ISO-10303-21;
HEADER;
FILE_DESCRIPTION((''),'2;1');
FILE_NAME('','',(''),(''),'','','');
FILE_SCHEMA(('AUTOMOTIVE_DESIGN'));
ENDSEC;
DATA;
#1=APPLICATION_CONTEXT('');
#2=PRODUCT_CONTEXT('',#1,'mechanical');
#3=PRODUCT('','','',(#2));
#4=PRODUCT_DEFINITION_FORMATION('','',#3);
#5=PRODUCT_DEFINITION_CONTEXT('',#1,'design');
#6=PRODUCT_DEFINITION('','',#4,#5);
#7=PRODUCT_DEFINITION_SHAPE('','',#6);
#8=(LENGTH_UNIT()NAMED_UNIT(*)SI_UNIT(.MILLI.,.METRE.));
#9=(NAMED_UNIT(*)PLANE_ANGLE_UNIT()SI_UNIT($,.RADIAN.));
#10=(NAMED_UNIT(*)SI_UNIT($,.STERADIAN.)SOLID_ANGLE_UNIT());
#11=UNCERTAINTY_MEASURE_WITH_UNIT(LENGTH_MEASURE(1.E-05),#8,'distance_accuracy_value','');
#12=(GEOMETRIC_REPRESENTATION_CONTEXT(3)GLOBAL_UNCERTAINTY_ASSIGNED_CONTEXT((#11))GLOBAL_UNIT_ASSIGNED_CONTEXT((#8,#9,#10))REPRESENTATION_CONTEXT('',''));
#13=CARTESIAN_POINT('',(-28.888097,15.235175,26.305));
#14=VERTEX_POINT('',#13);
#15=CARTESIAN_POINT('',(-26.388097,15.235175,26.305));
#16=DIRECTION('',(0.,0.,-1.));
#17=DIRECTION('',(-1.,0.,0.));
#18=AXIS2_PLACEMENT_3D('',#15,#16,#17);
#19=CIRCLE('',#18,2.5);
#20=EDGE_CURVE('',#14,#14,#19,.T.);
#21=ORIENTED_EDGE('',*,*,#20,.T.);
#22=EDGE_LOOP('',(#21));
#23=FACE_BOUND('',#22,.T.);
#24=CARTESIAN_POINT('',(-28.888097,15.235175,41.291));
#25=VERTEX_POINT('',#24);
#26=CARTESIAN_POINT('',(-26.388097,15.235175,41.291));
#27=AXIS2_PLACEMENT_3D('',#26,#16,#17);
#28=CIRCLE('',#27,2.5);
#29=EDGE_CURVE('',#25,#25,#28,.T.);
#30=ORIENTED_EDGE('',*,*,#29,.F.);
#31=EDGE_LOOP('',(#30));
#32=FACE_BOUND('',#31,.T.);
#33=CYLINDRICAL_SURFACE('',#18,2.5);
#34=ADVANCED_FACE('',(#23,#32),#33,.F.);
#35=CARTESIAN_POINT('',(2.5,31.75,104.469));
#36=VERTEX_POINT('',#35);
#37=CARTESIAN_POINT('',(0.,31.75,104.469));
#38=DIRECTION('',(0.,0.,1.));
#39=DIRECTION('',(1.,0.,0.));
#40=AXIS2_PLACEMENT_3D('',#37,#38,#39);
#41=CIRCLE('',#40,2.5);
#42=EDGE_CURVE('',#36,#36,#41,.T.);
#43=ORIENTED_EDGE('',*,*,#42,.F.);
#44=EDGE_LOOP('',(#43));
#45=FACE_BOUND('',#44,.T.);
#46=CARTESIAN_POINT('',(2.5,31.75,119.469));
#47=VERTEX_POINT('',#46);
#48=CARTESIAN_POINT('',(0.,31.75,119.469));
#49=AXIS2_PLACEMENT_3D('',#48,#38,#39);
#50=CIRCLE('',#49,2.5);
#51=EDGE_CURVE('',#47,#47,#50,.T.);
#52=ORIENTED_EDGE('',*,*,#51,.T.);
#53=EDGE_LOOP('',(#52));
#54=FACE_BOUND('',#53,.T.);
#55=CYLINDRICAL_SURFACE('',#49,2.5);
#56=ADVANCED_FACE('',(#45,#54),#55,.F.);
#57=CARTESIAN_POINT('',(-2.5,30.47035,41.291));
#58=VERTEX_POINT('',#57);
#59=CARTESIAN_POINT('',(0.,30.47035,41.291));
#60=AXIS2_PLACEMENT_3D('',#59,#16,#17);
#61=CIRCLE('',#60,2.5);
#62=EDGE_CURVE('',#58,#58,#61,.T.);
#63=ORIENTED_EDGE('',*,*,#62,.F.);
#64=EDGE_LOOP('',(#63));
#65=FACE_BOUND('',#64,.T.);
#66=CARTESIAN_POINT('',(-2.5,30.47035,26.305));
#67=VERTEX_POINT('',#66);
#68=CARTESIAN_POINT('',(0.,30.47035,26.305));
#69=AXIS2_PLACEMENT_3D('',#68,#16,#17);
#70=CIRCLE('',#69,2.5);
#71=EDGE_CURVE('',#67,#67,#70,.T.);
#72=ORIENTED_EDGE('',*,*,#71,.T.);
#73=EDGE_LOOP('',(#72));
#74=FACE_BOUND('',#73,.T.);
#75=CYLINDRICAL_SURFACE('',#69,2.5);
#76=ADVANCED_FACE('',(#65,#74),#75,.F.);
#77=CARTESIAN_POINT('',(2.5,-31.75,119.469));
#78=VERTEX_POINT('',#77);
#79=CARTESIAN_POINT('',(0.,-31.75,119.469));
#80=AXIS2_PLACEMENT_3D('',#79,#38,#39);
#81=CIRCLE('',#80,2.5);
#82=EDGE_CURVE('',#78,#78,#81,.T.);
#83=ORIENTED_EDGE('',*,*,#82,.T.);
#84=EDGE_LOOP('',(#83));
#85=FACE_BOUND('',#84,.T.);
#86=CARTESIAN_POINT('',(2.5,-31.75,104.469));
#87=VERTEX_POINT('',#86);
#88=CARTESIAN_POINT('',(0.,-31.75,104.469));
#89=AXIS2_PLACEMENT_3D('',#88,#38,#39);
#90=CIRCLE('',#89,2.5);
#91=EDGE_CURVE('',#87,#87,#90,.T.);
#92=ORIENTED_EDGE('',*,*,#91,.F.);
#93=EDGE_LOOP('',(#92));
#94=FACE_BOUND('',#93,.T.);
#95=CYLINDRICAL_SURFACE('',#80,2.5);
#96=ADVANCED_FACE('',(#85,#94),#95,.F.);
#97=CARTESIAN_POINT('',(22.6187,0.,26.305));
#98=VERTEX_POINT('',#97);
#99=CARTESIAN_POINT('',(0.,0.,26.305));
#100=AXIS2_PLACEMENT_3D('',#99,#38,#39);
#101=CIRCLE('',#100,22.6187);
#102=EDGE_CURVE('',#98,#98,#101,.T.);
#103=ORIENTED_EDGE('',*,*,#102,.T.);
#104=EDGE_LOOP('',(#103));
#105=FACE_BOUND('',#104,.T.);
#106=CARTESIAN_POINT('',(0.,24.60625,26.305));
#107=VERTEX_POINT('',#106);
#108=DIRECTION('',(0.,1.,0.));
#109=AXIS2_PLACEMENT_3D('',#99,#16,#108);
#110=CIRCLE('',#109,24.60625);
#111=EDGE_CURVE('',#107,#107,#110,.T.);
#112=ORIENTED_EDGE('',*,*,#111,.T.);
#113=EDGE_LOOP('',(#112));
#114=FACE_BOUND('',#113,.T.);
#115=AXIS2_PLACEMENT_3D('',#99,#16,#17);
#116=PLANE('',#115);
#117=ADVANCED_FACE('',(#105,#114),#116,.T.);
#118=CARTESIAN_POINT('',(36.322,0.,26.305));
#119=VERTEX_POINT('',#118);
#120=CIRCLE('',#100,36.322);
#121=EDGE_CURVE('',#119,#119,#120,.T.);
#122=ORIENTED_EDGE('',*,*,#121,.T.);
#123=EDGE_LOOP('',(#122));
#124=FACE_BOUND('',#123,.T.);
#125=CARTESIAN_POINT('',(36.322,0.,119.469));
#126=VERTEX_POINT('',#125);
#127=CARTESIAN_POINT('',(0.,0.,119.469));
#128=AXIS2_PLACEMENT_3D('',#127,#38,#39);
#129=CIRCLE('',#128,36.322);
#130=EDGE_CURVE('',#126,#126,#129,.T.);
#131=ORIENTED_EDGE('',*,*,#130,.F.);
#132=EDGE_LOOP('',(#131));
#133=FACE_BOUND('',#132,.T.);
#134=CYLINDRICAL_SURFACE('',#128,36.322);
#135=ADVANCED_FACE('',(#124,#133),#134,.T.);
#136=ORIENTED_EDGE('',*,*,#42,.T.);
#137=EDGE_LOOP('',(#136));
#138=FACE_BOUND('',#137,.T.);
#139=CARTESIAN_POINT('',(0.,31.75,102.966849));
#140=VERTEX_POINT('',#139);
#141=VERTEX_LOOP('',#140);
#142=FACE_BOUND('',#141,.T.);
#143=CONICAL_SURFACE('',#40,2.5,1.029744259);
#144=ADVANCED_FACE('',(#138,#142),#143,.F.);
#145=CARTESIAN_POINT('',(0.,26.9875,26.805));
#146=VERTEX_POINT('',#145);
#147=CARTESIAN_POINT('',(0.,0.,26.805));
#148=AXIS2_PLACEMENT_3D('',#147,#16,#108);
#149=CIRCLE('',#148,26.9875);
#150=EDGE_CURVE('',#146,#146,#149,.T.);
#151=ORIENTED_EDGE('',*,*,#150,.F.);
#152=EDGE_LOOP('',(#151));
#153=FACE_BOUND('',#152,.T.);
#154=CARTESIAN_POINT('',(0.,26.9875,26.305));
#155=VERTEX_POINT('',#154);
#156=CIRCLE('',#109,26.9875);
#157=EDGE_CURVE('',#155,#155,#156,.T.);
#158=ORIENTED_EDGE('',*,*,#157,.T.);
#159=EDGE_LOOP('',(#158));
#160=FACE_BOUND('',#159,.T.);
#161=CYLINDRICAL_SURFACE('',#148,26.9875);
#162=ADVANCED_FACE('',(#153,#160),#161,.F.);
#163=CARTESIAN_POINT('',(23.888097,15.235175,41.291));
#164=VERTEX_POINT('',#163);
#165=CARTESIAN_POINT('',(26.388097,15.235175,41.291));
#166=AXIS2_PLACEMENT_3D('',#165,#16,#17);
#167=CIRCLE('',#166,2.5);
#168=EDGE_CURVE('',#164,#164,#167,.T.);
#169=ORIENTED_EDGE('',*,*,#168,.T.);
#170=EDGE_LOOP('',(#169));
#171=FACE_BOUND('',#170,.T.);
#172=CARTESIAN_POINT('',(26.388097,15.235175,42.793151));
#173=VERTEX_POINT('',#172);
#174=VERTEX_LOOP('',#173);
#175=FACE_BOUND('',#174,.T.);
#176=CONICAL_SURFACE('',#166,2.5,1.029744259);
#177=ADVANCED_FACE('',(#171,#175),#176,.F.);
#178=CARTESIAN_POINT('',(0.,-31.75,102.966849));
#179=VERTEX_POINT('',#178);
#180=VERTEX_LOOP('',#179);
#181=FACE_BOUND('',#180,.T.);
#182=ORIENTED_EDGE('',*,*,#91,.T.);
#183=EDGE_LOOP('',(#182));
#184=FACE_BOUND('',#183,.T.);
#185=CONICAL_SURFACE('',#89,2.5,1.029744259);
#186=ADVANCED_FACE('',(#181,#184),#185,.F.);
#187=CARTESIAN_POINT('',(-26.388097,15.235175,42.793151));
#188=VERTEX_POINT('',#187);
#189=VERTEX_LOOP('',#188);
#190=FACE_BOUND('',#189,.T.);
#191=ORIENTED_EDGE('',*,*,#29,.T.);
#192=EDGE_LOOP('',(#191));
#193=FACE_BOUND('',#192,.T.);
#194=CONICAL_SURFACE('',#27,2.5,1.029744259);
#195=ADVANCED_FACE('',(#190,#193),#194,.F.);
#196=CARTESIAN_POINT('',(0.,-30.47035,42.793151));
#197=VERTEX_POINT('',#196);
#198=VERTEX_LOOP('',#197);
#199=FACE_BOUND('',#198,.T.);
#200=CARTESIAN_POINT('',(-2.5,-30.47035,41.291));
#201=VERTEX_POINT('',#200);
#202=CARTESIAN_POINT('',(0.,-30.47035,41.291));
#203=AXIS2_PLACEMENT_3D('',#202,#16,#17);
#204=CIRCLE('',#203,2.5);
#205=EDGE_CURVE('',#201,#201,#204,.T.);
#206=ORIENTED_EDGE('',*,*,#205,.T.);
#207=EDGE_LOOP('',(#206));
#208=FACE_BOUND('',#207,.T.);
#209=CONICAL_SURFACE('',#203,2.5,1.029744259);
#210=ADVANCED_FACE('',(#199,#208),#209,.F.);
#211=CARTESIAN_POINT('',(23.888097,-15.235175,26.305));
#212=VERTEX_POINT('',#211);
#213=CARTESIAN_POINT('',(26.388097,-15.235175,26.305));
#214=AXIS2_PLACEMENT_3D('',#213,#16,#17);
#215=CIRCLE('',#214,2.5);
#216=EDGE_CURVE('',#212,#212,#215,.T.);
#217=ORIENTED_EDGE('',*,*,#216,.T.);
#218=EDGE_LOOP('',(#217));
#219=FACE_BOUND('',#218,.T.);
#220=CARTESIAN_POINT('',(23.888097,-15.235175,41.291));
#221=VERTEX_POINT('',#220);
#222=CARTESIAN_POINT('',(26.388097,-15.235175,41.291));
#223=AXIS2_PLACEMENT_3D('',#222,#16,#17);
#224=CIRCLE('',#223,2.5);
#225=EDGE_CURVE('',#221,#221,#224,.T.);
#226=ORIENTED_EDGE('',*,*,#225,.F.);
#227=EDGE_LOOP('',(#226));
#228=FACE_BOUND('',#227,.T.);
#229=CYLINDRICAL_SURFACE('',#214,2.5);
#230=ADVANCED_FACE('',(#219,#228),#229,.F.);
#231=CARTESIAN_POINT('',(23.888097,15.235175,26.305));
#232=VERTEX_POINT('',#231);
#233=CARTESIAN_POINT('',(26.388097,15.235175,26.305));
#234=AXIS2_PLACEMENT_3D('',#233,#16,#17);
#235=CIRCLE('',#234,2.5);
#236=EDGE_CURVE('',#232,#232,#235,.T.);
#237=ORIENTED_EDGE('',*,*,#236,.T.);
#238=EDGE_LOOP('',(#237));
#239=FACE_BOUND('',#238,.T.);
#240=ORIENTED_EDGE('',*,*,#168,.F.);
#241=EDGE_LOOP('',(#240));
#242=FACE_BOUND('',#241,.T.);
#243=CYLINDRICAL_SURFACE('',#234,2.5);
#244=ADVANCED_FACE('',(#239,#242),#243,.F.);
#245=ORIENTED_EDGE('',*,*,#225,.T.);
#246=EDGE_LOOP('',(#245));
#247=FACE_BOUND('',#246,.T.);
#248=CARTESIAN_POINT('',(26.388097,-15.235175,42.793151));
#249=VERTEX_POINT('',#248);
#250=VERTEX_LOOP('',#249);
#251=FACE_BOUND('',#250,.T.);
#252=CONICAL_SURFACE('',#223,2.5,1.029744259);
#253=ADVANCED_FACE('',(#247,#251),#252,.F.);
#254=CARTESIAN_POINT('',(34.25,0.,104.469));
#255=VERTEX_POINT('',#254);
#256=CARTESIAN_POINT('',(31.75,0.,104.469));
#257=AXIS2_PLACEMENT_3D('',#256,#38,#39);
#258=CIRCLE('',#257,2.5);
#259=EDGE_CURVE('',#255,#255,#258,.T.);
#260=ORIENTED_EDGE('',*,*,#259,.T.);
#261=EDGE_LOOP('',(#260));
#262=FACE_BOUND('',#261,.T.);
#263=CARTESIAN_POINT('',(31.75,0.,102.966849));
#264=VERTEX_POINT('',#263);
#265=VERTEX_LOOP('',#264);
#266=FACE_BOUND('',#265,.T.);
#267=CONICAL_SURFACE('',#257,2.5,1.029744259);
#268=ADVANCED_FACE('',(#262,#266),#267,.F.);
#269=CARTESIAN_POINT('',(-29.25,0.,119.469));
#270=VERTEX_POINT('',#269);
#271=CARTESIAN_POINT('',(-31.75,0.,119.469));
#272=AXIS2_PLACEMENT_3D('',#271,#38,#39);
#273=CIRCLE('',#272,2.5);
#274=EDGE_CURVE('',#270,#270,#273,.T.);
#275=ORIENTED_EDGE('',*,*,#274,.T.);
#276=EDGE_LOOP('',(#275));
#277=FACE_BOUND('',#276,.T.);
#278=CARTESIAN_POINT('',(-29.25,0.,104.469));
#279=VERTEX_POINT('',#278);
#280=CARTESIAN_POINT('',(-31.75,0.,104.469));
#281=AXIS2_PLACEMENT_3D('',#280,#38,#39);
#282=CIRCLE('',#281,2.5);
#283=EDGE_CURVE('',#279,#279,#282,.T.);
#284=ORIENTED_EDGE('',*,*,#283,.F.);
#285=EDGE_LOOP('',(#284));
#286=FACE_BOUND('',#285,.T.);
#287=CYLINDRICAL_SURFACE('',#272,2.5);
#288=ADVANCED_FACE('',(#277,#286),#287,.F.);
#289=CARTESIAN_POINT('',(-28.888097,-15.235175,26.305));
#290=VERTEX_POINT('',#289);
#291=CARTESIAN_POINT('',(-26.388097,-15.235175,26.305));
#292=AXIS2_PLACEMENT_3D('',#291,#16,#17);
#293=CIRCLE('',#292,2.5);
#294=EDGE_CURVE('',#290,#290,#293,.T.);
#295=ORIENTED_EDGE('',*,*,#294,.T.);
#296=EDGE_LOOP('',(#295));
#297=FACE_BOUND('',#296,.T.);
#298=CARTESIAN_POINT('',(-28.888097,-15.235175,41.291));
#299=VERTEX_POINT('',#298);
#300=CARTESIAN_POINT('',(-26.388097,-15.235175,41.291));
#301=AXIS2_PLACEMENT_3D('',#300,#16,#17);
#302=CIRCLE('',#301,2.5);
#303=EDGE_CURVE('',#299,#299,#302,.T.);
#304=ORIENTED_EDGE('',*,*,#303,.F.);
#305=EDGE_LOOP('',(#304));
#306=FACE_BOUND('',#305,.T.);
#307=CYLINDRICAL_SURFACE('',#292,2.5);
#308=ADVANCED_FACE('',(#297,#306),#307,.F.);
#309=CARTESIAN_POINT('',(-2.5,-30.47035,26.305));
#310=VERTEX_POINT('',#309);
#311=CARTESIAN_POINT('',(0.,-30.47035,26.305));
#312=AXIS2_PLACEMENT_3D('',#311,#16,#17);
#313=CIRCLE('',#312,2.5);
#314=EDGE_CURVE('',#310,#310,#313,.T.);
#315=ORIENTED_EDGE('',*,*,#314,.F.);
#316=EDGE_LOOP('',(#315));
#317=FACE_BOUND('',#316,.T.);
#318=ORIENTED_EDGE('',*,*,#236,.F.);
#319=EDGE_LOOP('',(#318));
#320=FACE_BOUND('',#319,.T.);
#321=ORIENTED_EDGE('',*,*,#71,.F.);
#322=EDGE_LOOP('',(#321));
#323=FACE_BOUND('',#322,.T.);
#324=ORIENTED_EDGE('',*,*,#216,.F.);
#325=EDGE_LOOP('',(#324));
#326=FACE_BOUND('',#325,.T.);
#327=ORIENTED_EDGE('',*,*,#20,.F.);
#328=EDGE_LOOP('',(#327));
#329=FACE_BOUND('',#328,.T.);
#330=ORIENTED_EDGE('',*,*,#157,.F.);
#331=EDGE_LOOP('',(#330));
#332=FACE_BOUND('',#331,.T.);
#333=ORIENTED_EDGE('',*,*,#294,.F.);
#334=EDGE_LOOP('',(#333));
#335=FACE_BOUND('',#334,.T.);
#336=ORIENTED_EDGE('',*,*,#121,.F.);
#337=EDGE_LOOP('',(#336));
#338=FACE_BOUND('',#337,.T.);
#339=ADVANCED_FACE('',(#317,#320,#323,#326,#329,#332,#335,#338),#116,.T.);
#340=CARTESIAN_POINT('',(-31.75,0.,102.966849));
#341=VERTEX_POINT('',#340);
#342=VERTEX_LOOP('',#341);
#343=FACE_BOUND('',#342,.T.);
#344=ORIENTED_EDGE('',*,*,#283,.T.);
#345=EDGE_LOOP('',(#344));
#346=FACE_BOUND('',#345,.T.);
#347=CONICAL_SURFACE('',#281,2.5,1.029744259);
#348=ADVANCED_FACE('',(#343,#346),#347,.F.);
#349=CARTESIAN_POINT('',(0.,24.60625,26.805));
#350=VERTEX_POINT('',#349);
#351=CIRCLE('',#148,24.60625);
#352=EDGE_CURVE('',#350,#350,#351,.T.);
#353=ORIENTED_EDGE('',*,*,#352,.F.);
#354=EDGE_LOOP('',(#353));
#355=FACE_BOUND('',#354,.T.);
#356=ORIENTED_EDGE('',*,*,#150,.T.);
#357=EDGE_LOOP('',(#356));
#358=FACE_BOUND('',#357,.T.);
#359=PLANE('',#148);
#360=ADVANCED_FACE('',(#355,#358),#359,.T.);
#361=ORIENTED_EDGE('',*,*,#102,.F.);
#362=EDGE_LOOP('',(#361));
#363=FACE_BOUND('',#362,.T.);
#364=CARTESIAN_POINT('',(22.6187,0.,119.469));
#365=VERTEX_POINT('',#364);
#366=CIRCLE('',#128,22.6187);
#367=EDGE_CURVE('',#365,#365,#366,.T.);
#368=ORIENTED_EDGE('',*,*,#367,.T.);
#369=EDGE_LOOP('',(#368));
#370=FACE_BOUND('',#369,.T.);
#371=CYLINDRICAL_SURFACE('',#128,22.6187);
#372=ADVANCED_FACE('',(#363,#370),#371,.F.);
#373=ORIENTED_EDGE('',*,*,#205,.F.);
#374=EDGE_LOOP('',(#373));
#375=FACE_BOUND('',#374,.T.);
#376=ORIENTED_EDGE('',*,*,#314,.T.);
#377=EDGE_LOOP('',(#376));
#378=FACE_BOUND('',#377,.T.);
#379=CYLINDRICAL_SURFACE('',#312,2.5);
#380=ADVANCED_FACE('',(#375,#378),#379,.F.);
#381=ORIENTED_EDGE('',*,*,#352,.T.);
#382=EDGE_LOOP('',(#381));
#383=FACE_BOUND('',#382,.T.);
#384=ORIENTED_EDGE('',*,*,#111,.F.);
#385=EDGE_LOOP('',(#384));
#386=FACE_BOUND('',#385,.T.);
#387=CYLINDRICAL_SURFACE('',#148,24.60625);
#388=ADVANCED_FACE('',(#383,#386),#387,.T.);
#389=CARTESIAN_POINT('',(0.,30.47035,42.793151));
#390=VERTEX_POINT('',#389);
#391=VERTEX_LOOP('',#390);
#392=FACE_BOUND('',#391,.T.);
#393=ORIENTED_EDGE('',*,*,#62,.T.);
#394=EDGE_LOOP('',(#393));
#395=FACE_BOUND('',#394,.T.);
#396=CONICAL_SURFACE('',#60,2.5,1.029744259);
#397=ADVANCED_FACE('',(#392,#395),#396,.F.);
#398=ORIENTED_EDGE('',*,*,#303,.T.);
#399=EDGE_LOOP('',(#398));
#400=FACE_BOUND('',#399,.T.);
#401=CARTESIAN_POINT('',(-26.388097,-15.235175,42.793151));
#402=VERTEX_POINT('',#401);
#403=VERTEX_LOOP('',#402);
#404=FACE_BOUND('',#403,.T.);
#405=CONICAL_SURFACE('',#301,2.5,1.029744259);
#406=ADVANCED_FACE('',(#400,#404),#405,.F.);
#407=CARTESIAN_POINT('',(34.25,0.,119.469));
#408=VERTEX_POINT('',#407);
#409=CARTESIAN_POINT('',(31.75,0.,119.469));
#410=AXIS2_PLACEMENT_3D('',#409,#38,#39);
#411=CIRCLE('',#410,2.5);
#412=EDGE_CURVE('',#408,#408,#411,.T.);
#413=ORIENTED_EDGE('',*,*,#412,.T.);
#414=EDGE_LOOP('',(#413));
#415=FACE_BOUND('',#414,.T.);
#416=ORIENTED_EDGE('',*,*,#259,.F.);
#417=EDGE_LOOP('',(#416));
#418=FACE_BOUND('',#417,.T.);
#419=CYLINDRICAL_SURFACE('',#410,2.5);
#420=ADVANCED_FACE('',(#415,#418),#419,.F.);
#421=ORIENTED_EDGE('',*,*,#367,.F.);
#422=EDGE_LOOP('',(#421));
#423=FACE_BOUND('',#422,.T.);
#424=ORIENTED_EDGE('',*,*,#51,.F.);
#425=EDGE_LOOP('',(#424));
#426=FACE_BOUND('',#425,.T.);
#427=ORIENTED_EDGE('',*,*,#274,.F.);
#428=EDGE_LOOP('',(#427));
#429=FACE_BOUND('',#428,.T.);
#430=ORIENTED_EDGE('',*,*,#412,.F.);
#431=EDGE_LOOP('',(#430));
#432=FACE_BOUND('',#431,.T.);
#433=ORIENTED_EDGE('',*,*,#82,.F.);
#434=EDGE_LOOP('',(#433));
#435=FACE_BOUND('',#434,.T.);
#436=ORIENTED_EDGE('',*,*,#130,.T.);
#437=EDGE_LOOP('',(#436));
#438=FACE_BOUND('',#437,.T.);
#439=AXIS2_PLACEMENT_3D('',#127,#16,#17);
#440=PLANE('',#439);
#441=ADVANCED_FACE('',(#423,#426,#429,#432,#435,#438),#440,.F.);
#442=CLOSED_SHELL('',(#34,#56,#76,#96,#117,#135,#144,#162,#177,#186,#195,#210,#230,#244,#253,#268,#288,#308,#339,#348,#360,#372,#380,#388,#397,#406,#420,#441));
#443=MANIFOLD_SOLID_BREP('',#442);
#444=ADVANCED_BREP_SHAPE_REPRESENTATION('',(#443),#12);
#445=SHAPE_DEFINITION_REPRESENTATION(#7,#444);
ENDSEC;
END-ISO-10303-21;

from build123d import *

# Parameters (mm, degrees)
SKETCH1_W              = 93.16400014
SKETCH1_H              = 13.7033
BACKFACEPATTERN_COUNT  = 6
FRONTFACEPATTERN_COUNT = 4
SKETCH7_R              = 26.9875
SKETCH7_R_2            = 24.60625
CUT_EXTRUDE1_DEPTH     = 0.5


with BuildPart() as part:
    # Sketch1 → Revolve1 (revolve)
    with BuildSketch(Plane(origin=(0, 0, 0), x_dir=(0, 0, -1), z_dir=(1, 0, 0)), mode=Mode.PRIVATE) as revolve1_sk:
        with Locations((-72.887000006, 29.47035)):
            Rectangle(SKETCH1_W, SKETCH1_H)
    revolve(revolve1_sk.sketch.rotate(Axis((0, 0, 119.469000076), (0, 0, -1)), 90), axis=Axis((0, 0, 119.469000076), (0, 0, -1)))

    # Sketch9 → M6x1.0 Tapped Hole3 (revolve, cut)
    with BuildSketch(Plane(origin=(0, 30.470350032, 26.304999936), x_dir=(0, 1, 0), z_dir=(1, 0, 0))):
        Polygon((0, 0), (0, 16.488151548), (2.5, 14.986), (2.5, 0), align=None)
    m6x1_0_tapped_hole3 = revolve(axis=Axis((0, 30.470350032, 19.954999936), (0, 0, 1)), mode=Mode.SUBTRACT)

    # BackFacePattern: M6x1.0 Tapped Hole3 ×6 about axis
    backfacepattern_axis = Axis((0, 0, 0), (0, 0, 1))
    for i in range(1, BACKFACEPATTERN_COUNT):
        add(m6x1_0_tapped_hole3.rotate(backfacepattern_axis, i * 360 / BACKFACEPATTERN_COUNT), mode=Mode.SUBTRACT)

    # Sketch6 → M6x1.0 Tapped Hole2 (revolve, cut)
    with BuildSketch(Plane(origin=(0, 31.75, 119.469000076), x_dir=(0, -1, 0), z_dir=(1, 0, 0))):
        Polygon((0, 0), (0, 16.502151548), (2.5, 15), (2.5, 0), align=None)
    m6x1_0_tapped_hole2 = revolve(axis=Axis((0, 31.75, 125.819000076), (0, 0, -1)), mode=Mode.SUBTRACT)

    # FrontFacePattern: M6x1.0 Tapped Hole2 ×4 about axis
    frontfacepattern_axis = Axis((0, 0, 0), (0, 0, 1))
    for i in range(1, FRONTFACEPATTERN_COUNT):
        add(m6x1_0_tapped_hole2.rotate(frontfacepattern_axis, i * 360 / FRONTFACEPATTERN_COUNT), mode=Mode.SUBTRACT)

    # Sketch7 → Cut-Extrude1 (cut)
    with BuildSketch(Plane(origin=(0, 0, 26.304999936), x_dir=(-1, 0, 0), z_dir=(0, 0, -1))):
        with Locations(Location((0, 0, 0), (0, 0, 90))):
            Circle(SKETCH7_R)
        with Locations(Location((0, 0, 0), (0, 0, 90))):
            Circle(SKETCH7_R_2, mode=Mode.SUBTRACT)
    extrude(amount=-CUT_EXTRUDE1_DEPTH, mode=Mode.SUBTRACT)


solid = part.part
